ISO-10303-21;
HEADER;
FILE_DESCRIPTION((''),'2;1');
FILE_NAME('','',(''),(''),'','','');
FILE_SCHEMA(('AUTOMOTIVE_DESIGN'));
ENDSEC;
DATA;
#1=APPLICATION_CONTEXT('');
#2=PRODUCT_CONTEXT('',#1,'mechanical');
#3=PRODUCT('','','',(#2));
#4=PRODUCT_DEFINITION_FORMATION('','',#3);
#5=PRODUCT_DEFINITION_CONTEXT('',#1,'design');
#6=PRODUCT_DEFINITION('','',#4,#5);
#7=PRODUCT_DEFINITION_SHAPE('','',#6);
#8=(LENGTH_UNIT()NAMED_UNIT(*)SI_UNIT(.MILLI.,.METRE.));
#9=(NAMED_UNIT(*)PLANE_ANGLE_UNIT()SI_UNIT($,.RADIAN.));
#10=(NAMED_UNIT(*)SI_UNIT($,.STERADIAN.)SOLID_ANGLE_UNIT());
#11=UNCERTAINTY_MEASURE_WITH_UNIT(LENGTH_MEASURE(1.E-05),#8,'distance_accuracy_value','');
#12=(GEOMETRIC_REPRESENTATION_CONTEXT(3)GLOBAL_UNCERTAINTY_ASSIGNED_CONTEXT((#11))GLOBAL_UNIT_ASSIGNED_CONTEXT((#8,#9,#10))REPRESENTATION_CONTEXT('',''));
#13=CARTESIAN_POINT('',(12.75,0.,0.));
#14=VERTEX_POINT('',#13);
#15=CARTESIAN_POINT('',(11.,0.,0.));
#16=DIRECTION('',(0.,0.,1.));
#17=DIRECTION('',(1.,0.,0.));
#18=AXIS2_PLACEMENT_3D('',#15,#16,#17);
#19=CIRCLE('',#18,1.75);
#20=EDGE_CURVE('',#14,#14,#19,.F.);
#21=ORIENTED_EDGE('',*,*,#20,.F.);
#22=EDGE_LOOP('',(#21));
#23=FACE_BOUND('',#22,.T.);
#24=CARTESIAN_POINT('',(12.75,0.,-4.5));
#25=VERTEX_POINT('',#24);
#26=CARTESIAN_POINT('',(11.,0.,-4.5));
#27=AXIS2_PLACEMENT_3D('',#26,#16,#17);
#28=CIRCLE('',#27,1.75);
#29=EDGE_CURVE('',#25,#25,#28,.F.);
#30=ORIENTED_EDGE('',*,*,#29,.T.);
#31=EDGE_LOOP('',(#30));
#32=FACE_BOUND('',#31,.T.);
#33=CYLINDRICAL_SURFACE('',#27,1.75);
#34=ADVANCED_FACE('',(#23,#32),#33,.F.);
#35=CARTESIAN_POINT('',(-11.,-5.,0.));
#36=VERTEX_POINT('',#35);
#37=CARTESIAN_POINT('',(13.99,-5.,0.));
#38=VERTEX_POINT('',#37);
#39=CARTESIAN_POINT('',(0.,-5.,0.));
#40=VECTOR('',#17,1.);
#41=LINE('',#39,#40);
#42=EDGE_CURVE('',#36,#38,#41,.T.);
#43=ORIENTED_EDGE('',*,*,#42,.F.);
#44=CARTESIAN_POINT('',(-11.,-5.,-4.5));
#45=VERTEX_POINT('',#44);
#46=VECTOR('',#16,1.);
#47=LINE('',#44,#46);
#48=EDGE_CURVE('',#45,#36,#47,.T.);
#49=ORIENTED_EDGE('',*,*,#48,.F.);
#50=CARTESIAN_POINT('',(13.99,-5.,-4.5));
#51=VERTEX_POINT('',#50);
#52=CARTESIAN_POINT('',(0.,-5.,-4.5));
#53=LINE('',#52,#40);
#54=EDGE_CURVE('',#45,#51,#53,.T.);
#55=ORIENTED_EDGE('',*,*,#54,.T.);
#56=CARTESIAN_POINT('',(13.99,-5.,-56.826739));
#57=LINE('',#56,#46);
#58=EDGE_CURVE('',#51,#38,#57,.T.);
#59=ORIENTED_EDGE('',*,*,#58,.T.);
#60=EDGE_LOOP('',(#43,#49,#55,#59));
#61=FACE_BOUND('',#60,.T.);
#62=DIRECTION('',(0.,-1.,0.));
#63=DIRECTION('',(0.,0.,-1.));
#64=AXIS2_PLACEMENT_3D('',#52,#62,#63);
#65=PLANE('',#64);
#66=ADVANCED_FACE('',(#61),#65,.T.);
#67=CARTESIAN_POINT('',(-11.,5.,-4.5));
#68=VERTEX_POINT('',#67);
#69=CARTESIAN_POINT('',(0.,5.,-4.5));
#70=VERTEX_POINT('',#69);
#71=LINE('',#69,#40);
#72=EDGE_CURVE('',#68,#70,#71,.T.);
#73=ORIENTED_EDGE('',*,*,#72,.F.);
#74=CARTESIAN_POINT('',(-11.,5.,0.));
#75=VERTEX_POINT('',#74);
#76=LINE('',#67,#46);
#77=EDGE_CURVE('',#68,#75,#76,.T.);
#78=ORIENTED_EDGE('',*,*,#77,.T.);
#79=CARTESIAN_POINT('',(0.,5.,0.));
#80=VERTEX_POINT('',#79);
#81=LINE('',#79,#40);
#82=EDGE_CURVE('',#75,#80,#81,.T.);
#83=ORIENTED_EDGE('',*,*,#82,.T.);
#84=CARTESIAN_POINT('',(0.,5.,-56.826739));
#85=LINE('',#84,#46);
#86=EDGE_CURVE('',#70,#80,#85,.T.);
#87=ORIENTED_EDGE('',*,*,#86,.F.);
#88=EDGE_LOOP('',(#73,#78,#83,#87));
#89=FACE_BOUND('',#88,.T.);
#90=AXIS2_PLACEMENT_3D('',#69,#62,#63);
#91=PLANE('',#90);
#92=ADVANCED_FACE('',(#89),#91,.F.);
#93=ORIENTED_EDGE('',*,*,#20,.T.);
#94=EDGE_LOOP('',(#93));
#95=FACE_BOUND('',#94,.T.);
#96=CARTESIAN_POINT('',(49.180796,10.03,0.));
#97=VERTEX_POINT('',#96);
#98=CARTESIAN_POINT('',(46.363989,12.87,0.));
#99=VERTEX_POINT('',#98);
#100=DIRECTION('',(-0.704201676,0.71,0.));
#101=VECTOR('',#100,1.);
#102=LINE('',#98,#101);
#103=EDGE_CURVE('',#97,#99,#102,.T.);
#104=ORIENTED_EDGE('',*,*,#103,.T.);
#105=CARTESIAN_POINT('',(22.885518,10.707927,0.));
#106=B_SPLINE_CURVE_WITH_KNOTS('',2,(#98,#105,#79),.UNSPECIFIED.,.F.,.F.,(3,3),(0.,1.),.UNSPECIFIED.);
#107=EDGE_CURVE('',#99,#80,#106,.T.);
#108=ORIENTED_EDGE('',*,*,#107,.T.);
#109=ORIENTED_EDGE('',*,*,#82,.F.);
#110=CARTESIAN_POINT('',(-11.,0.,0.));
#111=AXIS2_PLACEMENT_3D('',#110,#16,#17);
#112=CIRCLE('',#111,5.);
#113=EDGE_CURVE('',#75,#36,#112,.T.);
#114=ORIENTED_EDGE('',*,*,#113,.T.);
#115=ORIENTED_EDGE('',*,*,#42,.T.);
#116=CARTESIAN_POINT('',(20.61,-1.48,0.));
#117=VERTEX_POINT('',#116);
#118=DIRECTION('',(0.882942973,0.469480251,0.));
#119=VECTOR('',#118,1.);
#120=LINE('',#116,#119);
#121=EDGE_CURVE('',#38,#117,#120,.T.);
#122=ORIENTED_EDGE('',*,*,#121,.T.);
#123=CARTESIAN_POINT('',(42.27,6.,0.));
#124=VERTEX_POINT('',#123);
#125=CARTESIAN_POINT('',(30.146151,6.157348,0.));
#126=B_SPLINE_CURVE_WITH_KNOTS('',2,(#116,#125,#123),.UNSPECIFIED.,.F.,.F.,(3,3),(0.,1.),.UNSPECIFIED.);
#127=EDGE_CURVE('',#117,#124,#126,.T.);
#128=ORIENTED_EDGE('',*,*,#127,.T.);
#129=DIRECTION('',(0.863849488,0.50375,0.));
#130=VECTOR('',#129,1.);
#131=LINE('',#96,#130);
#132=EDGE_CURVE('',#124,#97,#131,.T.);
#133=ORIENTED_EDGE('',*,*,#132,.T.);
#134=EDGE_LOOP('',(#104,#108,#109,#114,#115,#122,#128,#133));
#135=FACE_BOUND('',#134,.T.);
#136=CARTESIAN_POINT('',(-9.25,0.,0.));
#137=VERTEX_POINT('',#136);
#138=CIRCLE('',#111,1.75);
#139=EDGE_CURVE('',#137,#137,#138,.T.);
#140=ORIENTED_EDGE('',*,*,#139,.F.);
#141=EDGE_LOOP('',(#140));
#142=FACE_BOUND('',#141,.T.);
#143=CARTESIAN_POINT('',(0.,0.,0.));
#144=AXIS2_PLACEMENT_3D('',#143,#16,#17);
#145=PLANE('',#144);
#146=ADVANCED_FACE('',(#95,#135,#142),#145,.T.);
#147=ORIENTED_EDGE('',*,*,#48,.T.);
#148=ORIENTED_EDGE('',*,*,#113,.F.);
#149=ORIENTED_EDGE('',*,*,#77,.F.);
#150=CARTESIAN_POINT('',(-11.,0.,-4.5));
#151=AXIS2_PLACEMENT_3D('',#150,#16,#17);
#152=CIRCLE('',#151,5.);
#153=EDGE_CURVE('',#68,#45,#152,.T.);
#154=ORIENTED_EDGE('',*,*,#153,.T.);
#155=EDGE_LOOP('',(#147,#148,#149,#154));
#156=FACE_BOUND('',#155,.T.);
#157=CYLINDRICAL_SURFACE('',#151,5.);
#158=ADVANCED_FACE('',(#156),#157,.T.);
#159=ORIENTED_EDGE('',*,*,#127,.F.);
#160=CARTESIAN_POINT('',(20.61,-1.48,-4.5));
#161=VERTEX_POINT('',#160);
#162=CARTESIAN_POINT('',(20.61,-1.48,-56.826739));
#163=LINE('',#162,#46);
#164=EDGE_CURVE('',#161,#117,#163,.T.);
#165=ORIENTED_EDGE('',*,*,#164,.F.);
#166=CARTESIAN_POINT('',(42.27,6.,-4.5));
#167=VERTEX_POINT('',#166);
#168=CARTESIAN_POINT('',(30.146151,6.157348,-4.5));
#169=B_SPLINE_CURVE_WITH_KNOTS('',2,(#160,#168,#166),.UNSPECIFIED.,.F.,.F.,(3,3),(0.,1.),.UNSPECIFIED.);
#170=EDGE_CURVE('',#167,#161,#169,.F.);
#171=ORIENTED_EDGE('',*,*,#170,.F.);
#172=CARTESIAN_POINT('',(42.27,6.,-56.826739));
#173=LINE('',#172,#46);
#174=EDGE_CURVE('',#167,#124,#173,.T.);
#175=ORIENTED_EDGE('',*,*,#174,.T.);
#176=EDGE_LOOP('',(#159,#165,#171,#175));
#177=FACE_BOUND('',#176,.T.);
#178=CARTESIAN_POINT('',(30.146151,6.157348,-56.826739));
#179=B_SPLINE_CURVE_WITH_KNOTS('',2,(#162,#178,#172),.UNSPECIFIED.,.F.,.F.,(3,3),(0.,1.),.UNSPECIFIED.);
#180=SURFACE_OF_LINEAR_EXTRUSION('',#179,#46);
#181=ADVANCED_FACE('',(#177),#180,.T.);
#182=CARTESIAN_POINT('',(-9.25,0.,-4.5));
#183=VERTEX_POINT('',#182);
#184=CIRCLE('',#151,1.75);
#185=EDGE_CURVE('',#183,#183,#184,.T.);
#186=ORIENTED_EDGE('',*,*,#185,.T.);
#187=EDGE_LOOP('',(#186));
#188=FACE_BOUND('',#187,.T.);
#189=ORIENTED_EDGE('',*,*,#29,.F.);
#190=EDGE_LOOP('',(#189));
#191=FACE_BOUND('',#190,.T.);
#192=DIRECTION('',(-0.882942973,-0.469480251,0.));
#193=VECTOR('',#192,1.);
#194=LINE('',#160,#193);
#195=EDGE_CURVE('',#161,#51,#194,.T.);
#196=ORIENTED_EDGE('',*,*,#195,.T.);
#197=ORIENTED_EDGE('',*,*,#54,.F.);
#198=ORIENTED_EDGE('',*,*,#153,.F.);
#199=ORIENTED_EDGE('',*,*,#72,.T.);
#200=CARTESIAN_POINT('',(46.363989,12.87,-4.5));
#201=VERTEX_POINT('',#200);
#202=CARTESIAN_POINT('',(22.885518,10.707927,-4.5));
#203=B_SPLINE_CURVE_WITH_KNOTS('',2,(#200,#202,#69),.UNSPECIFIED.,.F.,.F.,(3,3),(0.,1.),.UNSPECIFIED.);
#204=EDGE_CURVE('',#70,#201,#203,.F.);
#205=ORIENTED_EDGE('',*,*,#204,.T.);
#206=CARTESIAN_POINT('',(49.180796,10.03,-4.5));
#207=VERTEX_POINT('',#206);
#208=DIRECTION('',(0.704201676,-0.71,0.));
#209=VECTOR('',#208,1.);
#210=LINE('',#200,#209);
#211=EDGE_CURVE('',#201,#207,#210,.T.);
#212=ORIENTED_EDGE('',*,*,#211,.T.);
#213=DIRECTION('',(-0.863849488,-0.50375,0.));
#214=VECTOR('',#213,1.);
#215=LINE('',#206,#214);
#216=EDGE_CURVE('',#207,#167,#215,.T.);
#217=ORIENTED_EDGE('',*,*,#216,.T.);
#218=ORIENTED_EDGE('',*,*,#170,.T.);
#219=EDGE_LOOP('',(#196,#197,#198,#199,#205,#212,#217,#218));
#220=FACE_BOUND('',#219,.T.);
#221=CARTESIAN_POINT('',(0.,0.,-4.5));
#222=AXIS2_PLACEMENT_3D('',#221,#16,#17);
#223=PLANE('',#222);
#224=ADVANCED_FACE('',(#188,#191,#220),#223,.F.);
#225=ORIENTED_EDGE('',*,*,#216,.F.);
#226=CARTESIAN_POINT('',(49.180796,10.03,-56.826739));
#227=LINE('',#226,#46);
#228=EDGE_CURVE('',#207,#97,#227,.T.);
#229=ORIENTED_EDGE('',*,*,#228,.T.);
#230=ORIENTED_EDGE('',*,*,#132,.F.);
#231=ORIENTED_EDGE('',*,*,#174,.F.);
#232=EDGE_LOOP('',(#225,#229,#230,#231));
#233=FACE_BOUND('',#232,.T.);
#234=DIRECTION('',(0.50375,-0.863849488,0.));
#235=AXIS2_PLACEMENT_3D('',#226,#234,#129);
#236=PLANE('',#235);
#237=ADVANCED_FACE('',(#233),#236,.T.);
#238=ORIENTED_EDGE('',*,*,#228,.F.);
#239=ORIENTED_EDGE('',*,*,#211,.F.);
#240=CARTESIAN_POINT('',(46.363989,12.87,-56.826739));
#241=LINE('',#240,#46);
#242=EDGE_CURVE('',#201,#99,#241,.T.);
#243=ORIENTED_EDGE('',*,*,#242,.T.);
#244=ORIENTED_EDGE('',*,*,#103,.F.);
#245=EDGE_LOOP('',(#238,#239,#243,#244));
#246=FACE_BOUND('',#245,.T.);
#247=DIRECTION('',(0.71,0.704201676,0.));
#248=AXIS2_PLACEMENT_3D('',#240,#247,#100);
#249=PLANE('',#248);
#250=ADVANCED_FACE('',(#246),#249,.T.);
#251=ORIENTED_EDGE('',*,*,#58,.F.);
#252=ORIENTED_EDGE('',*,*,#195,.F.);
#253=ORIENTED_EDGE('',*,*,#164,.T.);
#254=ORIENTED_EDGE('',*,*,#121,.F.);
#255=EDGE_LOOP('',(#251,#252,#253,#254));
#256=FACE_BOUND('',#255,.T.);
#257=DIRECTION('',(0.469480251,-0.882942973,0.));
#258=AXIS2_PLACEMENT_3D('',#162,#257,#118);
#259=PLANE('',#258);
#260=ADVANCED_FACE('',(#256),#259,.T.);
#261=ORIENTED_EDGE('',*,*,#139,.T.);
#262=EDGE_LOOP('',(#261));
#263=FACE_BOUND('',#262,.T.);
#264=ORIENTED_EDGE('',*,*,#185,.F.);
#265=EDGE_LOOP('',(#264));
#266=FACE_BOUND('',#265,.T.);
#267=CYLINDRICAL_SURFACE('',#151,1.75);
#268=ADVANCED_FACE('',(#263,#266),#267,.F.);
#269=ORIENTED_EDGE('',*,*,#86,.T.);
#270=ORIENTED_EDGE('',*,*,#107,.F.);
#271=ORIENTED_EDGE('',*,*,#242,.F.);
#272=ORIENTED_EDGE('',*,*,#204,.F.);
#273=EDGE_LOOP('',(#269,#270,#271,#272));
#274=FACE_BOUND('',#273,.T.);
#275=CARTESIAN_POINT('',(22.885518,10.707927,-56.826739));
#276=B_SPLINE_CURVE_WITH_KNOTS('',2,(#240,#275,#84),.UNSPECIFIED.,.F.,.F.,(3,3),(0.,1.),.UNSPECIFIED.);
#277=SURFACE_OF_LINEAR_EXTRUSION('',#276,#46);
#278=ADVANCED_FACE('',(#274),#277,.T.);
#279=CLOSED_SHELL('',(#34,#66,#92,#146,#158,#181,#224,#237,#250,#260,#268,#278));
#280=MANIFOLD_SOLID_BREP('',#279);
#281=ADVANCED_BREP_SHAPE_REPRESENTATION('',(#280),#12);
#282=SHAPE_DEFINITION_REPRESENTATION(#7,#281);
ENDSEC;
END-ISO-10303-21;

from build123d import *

# Parameters (mm, degrees)
SKETCH2_R           = 5
SKETCH2_R_2         = 1.75
BOSS_EXTRUDE1_DEPTH = 4.5
BOSS_EXTRUDE2_DEPTH = 4.5


with BuildPart() as part:
    # Sketch2 → Boss-Extrude1 (new body)
    # profile 1 of 3: a face of its own
    with BuildSketch(Plane.XY):
        with Locations((-11, 0)):
            Circle(SKETCH2_R)
        with Locations((-11, 0)):
            Circle(SKETCH2_R_2, mode=Mode.SUBTRACT)
    # profile 2 of 3: a face of its own
    with BuildSketch(Plane.XY):
        with Locations((11, 0)):
            Circle(SKETCH2_R)
        with Locations((11, 0)):
            Circle(SKETCH2_R_2, mode=Mode.SUBTRACT)
    # profile 3 of 3: a face of its own
    with BuildSketch(Plane.XY):
        with BuildLine():
            ThreePointArc((-6, 0), (-7.464466094, -3.535533906), (-11, -5))
            Line((-11, -5), (11, -5))
            ThreePointArc((11, -5), (6, -1e-09), (10.999999999, 5))
            Line((10.999999999, 5), (-11, 5))
            ThreePointArc((-11, 5), (-7.464466094, 3.535533906), (-6, 0))
        make_face()
    extrude(amount=-BOSS_EXTRUDE1_DEPTH)

    # Sketch3 → Boss-Extrude2 (add)
    with BuildSketch(Plane.XY):
        with BuildLine():
            Line((46.363989199, 12.87), (49.180795902, 10.03))
            Line((49.180795902, 10.03), (42.27, 6))
            add(Edge.make_bspline(
                [(42.27, 6), (30.146150748, 6.157348305), (20.61, -1.48)],
                knots=[0, 0, 0, 1, 1, 1], degree=2))
            Line((20.61, -1.48), (13.99, -5))
            Line((13.99, -5), (11, -5))
            ThreePointArc((11, -5), (16, 0), (11, 5))
            Line((11, 5), (0, 5))
            add(Edge.make_bspline(
                [(0, 5), (22.885517501, 10.707926651), (46.363989199, 12.87)],
                knots=[0, 0, 0, 1, 1, 1], degree=2))
        make_face()
    extrude(amount=-BOSS_EXTRUDE2_DEPTH)


solid = part.part
